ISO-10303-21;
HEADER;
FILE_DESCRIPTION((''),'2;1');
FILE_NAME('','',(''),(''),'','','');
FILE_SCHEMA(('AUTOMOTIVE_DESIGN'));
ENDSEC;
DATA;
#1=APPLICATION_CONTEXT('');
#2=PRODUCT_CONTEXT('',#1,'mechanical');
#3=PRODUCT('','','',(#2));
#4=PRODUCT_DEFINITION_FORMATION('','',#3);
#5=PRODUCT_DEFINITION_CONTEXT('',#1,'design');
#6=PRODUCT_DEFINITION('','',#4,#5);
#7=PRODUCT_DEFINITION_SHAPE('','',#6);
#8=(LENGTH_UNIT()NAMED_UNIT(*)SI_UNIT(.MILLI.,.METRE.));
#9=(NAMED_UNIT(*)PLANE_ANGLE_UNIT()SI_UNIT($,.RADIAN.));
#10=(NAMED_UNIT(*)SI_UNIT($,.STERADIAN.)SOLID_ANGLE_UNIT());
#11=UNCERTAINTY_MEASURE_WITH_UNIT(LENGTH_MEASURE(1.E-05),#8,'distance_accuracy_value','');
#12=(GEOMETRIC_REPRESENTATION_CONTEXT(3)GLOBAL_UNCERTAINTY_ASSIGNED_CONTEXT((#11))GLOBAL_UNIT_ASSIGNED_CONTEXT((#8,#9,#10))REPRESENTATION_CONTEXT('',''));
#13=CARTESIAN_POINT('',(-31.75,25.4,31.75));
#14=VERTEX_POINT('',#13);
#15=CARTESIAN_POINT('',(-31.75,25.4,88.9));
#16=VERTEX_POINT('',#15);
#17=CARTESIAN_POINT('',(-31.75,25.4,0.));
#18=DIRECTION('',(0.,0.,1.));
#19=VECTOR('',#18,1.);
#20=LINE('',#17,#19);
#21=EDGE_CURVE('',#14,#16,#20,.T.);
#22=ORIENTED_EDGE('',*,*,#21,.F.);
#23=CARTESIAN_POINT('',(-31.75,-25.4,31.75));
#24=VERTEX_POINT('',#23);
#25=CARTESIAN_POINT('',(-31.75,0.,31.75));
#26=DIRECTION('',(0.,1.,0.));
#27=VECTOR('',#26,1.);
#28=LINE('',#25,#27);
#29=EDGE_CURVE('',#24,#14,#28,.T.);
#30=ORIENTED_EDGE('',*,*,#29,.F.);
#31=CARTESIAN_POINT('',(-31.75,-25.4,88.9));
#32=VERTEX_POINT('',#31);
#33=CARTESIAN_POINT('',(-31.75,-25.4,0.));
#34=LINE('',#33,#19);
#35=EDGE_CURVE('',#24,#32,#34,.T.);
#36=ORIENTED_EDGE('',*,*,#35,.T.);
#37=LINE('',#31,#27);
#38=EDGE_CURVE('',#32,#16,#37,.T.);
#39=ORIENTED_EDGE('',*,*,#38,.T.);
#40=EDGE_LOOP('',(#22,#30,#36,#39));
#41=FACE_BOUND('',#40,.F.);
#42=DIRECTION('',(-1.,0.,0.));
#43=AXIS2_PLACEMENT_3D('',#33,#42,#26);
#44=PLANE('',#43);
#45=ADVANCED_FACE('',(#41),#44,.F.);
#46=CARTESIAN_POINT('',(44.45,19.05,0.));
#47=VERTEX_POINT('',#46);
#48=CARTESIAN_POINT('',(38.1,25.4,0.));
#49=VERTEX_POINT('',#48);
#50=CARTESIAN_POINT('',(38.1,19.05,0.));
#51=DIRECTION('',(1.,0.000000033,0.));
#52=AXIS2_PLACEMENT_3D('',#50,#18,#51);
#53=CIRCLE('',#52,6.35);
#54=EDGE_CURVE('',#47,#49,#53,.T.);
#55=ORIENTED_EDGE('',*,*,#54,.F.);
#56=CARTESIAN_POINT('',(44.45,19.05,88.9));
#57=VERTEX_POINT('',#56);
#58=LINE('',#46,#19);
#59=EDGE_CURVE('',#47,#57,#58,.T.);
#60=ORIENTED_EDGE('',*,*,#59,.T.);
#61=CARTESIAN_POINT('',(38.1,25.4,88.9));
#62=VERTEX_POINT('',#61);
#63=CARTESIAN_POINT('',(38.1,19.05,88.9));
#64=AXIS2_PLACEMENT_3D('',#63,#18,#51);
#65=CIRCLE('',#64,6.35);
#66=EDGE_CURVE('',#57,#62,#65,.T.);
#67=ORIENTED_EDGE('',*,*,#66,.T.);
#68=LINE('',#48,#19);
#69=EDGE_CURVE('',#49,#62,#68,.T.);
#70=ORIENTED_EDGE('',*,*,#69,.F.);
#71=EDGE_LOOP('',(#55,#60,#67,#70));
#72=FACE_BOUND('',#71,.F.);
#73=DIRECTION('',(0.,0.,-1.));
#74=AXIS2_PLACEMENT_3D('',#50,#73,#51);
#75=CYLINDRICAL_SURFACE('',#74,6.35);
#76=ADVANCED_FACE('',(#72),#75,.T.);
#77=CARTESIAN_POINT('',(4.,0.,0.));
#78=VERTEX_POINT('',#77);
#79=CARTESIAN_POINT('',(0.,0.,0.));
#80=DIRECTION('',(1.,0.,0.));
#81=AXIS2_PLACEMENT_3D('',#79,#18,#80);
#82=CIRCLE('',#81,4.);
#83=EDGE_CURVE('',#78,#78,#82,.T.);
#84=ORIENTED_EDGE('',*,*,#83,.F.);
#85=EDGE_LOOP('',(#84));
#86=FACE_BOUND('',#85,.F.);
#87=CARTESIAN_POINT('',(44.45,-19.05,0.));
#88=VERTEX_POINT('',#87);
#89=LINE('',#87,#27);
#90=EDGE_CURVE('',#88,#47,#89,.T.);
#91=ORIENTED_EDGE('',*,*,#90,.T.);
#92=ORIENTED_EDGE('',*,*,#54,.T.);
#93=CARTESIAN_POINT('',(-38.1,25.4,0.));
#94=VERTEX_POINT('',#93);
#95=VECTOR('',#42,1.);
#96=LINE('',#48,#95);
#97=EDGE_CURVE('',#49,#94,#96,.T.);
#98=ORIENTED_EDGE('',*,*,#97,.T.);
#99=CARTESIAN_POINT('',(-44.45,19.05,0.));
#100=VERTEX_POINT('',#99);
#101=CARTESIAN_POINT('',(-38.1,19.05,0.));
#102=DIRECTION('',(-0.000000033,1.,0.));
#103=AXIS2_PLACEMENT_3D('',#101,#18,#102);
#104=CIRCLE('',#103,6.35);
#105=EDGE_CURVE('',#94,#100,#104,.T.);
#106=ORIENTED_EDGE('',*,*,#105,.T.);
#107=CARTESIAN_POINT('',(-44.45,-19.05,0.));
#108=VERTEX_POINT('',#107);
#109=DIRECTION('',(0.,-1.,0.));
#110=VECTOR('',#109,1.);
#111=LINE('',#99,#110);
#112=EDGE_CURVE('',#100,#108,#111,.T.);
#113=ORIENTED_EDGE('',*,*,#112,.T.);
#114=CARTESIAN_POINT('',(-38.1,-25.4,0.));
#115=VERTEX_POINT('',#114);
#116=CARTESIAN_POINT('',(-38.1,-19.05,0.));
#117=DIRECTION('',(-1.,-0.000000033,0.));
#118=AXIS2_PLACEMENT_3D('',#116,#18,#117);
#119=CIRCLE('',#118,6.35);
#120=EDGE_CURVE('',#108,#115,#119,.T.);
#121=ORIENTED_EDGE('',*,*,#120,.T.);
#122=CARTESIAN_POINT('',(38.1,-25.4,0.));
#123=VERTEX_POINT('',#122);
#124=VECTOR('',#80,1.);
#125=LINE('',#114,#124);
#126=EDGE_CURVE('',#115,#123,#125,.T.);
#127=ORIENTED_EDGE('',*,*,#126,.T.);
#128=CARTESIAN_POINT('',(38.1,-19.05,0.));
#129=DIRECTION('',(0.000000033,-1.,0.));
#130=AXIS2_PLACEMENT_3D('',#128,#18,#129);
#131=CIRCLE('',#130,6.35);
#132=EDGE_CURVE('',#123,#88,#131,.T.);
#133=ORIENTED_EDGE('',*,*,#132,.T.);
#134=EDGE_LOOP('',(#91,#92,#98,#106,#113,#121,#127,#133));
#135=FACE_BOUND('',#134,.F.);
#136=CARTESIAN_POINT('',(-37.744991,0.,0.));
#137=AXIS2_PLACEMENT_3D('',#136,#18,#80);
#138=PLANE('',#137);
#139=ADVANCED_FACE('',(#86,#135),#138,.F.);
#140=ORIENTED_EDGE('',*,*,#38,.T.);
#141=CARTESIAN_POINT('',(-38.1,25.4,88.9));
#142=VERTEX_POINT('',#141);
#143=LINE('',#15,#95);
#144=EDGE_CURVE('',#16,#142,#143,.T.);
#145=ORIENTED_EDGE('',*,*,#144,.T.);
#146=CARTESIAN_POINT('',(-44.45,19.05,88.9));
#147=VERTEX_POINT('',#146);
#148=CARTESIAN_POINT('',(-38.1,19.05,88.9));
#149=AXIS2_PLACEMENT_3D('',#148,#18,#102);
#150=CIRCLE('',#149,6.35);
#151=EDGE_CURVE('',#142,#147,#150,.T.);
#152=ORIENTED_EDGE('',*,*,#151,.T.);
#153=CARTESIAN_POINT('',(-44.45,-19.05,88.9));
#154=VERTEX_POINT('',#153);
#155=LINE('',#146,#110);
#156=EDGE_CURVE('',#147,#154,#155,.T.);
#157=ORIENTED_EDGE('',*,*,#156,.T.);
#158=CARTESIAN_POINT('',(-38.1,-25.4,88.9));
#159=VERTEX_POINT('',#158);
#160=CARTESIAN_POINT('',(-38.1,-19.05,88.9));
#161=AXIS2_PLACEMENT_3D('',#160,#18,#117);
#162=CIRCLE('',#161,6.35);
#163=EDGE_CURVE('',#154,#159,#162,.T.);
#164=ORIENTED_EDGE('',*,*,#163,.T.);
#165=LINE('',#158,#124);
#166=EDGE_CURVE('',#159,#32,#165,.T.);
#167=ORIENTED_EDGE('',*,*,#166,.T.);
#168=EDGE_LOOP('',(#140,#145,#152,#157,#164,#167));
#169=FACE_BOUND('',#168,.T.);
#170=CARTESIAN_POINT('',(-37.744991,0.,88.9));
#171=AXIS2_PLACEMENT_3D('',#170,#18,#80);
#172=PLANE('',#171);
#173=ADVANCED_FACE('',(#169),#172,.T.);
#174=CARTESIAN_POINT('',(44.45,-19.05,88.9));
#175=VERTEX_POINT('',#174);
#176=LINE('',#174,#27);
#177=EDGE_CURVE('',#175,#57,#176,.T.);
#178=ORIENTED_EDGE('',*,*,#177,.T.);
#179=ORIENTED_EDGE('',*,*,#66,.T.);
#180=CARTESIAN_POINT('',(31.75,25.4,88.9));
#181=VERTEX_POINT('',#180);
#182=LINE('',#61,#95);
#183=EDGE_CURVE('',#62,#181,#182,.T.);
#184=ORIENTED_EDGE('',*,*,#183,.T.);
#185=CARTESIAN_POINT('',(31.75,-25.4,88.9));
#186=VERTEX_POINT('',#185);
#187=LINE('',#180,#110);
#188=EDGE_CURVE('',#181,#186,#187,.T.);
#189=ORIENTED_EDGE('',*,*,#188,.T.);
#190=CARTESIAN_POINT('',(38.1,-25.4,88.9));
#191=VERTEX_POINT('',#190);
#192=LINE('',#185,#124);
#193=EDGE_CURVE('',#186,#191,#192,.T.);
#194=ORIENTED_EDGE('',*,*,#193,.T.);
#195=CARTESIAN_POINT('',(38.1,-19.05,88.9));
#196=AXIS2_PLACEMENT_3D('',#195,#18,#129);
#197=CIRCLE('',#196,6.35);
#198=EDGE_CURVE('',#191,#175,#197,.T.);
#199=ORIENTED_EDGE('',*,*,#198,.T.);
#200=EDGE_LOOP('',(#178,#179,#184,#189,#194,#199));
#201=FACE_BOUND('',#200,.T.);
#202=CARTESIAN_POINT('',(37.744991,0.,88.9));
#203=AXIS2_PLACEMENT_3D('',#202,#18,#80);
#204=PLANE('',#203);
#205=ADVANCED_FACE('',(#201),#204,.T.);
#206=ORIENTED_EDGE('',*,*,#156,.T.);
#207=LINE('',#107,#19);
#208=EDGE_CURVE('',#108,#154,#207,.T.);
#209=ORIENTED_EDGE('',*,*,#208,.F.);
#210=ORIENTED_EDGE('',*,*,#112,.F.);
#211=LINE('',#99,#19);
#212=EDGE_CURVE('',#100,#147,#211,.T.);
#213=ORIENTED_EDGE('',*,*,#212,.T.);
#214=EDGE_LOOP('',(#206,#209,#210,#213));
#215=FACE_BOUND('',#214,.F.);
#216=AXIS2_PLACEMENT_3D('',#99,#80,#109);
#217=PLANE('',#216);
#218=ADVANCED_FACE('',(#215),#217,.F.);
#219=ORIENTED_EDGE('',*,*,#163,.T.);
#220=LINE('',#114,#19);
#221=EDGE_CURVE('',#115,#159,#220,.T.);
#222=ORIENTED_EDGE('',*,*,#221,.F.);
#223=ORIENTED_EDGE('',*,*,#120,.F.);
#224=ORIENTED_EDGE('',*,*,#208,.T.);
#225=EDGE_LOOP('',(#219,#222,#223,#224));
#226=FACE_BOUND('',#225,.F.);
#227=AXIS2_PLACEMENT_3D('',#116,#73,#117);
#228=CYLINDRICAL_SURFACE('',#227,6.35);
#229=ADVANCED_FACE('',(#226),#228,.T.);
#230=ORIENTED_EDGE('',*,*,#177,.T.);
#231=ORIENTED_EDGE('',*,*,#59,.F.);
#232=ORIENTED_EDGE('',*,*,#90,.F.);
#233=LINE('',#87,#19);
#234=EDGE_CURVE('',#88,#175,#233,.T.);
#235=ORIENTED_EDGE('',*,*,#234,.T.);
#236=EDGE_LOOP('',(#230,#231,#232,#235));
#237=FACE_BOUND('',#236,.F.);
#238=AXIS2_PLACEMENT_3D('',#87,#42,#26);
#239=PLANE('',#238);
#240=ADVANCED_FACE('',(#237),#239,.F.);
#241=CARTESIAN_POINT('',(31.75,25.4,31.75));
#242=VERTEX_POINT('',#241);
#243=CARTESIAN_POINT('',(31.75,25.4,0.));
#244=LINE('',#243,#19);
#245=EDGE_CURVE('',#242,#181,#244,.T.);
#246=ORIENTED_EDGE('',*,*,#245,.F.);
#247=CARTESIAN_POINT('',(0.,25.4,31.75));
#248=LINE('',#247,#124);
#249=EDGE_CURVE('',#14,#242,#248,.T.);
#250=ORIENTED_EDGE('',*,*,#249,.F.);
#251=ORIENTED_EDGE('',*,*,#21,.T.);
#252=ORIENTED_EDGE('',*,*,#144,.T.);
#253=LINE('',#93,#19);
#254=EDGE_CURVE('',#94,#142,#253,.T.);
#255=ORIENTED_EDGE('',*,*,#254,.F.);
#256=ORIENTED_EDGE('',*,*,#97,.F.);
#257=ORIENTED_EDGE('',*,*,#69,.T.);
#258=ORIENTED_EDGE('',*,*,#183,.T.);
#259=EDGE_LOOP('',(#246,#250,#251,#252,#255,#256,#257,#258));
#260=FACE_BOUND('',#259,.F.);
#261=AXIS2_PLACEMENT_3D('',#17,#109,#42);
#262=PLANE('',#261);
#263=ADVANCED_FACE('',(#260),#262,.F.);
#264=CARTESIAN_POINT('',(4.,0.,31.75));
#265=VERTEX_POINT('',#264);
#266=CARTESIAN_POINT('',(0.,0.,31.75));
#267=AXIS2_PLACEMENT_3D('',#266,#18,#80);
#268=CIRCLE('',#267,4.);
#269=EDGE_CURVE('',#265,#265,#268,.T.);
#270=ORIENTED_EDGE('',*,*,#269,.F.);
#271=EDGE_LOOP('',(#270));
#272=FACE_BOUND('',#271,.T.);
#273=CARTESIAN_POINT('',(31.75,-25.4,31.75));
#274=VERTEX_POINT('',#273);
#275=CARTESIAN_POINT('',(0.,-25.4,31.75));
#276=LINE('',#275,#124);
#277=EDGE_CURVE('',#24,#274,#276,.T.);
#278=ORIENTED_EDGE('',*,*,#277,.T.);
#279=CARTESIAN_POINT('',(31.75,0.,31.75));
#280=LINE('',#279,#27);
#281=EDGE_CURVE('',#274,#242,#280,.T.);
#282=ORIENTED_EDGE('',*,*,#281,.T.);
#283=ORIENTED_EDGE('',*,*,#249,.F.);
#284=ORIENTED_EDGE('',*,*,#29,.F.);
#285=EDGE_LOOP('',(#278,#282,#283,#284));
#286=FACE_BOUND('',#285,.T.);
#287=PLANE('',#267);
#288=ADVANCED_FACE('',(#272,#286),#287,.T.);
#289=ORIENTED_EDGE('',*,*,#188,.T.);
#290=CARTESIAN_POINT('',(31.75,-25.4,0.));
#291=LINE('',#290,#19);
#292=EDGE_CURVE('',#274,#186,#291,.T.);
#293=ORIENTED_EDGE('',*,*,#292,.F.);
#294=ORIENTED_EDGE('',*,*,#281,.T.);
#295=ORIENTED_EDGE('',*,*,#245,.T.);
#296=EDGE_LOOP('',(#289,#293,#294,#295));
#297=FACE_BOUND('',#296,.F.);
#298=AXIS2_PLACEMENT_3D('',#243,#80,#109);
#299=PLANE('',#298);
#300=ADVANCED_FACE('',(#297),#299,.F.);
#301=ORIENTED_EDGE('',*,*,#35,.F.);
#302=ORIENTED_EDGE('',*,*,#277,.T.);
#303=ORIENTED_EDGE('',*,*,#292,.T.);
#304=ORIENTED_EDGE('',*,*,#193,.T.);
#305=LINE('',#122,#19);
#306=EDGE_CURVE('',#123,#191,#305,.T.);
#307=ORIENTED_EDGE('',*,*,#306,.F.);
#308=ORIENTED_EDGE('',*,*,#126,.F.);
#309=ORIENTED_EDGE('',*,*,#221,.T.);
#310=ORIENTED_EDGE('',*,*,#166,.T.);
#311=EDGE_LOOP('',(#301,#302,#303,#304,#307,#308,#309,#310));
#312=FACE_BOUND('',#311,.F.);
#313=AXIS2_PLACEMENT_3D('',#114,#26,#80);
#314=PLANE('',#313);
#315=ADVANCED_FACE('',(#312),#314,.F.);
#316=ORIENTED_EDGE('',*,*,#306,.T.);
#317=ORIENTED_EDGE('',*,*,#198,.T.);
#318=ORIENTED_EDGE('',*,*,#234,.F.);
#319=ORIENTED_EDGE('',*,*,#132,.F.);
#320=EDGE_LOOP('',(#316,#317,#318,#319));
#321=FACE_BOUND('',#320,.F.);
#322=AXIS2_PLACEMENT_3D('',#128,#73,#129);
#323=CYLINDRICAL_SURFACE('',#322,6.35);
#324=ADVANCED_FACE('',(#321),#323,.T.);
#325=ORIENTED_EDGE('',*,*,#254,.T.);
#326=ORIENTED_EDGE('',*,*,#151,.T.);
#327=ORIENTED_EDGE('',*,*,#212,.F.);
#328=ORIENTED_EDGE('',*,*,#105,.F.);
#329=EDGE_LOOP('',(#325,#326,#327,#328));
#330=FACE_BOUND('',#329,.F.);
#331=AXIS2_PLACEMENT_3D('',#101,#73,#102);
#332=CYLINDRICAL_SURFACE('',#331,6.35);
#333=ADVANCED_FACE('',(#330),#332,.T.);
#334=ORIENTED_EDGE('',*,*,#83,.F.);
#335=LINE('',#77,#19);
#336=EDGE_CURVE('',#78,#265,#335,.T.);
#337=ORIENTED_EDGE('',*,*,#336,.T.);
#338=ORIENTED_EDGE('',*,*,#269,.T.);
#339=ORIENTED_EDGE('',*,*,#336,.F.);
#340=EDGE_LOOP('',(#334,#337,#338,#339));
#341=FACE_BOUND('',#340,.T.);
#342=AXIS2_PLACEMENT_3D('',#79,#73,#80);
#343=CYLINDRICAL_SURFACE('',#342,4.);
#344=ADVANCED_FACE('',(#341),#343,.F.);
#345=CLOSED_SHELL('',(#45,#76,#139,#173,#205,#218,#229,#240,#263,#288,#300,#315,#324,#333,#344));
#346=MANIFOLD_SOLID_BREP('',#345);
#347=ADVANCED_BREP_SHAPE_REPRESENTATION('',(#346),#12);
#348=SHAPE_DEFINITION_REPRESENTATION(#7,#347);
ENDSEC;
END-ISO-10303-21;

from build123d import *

# Parameters (mm, degrees)
F0_W     = 63.5
F0_H     = 50.8
F0_R     = 4
F1_DEPTH = 31.75
F2_DEPTH = 88.9


with BuildPart() as f1:
    # F0 (on Top) → F1 (new body)
    with BuildSketch(Plane.XY):
        Rectangle(F0_W, F0_H)
        Circle(F0_R, mode=Mode.SUBTRACT)
    extrude(amount=F1_DEPTH)

    # F0 (on Top) → F2 (join)
    with BuildSketch(Plane.XY):
        with BuildLine():
            Line((-31.75, -25.4), (-31.75, 25.4))
            Line((-31.75, 25.4), (-38.1, 25.4))
            ThreePointArc((-38.1, 25.4), (-42.590128, 23.540128), (-44.45, 19.05))
            Line((-44.45, 19.05), (-44.45, -19.05))
            ThreePointArc((-44.45, -19.05), (-42.590128, -23.540128), (-38.1, -25.4))
            Line((-38.1, -25.4), (-31.75, -25.4))
        make_face()
        with BuildLine():
            ThreePointArc((44.45, 19.05), (42.590128, 23.540128), (38.1, 25.4))
            Line((38.1, 25.4), (31.75, 25.4))
            Line((31.75, 25.4), (31.75, -25.4))
            Line((31.75, -25.4), (38.1, -25.4))
            ThreePointArc((38.1, -25.4), (42.590128, -23.540128), (44.45, -19.05))
            Line((44.45, -19.05), (44.45, 19.05))
        make_face()
    extrude(amount=F2_DEPTH)


solid = f1.part
